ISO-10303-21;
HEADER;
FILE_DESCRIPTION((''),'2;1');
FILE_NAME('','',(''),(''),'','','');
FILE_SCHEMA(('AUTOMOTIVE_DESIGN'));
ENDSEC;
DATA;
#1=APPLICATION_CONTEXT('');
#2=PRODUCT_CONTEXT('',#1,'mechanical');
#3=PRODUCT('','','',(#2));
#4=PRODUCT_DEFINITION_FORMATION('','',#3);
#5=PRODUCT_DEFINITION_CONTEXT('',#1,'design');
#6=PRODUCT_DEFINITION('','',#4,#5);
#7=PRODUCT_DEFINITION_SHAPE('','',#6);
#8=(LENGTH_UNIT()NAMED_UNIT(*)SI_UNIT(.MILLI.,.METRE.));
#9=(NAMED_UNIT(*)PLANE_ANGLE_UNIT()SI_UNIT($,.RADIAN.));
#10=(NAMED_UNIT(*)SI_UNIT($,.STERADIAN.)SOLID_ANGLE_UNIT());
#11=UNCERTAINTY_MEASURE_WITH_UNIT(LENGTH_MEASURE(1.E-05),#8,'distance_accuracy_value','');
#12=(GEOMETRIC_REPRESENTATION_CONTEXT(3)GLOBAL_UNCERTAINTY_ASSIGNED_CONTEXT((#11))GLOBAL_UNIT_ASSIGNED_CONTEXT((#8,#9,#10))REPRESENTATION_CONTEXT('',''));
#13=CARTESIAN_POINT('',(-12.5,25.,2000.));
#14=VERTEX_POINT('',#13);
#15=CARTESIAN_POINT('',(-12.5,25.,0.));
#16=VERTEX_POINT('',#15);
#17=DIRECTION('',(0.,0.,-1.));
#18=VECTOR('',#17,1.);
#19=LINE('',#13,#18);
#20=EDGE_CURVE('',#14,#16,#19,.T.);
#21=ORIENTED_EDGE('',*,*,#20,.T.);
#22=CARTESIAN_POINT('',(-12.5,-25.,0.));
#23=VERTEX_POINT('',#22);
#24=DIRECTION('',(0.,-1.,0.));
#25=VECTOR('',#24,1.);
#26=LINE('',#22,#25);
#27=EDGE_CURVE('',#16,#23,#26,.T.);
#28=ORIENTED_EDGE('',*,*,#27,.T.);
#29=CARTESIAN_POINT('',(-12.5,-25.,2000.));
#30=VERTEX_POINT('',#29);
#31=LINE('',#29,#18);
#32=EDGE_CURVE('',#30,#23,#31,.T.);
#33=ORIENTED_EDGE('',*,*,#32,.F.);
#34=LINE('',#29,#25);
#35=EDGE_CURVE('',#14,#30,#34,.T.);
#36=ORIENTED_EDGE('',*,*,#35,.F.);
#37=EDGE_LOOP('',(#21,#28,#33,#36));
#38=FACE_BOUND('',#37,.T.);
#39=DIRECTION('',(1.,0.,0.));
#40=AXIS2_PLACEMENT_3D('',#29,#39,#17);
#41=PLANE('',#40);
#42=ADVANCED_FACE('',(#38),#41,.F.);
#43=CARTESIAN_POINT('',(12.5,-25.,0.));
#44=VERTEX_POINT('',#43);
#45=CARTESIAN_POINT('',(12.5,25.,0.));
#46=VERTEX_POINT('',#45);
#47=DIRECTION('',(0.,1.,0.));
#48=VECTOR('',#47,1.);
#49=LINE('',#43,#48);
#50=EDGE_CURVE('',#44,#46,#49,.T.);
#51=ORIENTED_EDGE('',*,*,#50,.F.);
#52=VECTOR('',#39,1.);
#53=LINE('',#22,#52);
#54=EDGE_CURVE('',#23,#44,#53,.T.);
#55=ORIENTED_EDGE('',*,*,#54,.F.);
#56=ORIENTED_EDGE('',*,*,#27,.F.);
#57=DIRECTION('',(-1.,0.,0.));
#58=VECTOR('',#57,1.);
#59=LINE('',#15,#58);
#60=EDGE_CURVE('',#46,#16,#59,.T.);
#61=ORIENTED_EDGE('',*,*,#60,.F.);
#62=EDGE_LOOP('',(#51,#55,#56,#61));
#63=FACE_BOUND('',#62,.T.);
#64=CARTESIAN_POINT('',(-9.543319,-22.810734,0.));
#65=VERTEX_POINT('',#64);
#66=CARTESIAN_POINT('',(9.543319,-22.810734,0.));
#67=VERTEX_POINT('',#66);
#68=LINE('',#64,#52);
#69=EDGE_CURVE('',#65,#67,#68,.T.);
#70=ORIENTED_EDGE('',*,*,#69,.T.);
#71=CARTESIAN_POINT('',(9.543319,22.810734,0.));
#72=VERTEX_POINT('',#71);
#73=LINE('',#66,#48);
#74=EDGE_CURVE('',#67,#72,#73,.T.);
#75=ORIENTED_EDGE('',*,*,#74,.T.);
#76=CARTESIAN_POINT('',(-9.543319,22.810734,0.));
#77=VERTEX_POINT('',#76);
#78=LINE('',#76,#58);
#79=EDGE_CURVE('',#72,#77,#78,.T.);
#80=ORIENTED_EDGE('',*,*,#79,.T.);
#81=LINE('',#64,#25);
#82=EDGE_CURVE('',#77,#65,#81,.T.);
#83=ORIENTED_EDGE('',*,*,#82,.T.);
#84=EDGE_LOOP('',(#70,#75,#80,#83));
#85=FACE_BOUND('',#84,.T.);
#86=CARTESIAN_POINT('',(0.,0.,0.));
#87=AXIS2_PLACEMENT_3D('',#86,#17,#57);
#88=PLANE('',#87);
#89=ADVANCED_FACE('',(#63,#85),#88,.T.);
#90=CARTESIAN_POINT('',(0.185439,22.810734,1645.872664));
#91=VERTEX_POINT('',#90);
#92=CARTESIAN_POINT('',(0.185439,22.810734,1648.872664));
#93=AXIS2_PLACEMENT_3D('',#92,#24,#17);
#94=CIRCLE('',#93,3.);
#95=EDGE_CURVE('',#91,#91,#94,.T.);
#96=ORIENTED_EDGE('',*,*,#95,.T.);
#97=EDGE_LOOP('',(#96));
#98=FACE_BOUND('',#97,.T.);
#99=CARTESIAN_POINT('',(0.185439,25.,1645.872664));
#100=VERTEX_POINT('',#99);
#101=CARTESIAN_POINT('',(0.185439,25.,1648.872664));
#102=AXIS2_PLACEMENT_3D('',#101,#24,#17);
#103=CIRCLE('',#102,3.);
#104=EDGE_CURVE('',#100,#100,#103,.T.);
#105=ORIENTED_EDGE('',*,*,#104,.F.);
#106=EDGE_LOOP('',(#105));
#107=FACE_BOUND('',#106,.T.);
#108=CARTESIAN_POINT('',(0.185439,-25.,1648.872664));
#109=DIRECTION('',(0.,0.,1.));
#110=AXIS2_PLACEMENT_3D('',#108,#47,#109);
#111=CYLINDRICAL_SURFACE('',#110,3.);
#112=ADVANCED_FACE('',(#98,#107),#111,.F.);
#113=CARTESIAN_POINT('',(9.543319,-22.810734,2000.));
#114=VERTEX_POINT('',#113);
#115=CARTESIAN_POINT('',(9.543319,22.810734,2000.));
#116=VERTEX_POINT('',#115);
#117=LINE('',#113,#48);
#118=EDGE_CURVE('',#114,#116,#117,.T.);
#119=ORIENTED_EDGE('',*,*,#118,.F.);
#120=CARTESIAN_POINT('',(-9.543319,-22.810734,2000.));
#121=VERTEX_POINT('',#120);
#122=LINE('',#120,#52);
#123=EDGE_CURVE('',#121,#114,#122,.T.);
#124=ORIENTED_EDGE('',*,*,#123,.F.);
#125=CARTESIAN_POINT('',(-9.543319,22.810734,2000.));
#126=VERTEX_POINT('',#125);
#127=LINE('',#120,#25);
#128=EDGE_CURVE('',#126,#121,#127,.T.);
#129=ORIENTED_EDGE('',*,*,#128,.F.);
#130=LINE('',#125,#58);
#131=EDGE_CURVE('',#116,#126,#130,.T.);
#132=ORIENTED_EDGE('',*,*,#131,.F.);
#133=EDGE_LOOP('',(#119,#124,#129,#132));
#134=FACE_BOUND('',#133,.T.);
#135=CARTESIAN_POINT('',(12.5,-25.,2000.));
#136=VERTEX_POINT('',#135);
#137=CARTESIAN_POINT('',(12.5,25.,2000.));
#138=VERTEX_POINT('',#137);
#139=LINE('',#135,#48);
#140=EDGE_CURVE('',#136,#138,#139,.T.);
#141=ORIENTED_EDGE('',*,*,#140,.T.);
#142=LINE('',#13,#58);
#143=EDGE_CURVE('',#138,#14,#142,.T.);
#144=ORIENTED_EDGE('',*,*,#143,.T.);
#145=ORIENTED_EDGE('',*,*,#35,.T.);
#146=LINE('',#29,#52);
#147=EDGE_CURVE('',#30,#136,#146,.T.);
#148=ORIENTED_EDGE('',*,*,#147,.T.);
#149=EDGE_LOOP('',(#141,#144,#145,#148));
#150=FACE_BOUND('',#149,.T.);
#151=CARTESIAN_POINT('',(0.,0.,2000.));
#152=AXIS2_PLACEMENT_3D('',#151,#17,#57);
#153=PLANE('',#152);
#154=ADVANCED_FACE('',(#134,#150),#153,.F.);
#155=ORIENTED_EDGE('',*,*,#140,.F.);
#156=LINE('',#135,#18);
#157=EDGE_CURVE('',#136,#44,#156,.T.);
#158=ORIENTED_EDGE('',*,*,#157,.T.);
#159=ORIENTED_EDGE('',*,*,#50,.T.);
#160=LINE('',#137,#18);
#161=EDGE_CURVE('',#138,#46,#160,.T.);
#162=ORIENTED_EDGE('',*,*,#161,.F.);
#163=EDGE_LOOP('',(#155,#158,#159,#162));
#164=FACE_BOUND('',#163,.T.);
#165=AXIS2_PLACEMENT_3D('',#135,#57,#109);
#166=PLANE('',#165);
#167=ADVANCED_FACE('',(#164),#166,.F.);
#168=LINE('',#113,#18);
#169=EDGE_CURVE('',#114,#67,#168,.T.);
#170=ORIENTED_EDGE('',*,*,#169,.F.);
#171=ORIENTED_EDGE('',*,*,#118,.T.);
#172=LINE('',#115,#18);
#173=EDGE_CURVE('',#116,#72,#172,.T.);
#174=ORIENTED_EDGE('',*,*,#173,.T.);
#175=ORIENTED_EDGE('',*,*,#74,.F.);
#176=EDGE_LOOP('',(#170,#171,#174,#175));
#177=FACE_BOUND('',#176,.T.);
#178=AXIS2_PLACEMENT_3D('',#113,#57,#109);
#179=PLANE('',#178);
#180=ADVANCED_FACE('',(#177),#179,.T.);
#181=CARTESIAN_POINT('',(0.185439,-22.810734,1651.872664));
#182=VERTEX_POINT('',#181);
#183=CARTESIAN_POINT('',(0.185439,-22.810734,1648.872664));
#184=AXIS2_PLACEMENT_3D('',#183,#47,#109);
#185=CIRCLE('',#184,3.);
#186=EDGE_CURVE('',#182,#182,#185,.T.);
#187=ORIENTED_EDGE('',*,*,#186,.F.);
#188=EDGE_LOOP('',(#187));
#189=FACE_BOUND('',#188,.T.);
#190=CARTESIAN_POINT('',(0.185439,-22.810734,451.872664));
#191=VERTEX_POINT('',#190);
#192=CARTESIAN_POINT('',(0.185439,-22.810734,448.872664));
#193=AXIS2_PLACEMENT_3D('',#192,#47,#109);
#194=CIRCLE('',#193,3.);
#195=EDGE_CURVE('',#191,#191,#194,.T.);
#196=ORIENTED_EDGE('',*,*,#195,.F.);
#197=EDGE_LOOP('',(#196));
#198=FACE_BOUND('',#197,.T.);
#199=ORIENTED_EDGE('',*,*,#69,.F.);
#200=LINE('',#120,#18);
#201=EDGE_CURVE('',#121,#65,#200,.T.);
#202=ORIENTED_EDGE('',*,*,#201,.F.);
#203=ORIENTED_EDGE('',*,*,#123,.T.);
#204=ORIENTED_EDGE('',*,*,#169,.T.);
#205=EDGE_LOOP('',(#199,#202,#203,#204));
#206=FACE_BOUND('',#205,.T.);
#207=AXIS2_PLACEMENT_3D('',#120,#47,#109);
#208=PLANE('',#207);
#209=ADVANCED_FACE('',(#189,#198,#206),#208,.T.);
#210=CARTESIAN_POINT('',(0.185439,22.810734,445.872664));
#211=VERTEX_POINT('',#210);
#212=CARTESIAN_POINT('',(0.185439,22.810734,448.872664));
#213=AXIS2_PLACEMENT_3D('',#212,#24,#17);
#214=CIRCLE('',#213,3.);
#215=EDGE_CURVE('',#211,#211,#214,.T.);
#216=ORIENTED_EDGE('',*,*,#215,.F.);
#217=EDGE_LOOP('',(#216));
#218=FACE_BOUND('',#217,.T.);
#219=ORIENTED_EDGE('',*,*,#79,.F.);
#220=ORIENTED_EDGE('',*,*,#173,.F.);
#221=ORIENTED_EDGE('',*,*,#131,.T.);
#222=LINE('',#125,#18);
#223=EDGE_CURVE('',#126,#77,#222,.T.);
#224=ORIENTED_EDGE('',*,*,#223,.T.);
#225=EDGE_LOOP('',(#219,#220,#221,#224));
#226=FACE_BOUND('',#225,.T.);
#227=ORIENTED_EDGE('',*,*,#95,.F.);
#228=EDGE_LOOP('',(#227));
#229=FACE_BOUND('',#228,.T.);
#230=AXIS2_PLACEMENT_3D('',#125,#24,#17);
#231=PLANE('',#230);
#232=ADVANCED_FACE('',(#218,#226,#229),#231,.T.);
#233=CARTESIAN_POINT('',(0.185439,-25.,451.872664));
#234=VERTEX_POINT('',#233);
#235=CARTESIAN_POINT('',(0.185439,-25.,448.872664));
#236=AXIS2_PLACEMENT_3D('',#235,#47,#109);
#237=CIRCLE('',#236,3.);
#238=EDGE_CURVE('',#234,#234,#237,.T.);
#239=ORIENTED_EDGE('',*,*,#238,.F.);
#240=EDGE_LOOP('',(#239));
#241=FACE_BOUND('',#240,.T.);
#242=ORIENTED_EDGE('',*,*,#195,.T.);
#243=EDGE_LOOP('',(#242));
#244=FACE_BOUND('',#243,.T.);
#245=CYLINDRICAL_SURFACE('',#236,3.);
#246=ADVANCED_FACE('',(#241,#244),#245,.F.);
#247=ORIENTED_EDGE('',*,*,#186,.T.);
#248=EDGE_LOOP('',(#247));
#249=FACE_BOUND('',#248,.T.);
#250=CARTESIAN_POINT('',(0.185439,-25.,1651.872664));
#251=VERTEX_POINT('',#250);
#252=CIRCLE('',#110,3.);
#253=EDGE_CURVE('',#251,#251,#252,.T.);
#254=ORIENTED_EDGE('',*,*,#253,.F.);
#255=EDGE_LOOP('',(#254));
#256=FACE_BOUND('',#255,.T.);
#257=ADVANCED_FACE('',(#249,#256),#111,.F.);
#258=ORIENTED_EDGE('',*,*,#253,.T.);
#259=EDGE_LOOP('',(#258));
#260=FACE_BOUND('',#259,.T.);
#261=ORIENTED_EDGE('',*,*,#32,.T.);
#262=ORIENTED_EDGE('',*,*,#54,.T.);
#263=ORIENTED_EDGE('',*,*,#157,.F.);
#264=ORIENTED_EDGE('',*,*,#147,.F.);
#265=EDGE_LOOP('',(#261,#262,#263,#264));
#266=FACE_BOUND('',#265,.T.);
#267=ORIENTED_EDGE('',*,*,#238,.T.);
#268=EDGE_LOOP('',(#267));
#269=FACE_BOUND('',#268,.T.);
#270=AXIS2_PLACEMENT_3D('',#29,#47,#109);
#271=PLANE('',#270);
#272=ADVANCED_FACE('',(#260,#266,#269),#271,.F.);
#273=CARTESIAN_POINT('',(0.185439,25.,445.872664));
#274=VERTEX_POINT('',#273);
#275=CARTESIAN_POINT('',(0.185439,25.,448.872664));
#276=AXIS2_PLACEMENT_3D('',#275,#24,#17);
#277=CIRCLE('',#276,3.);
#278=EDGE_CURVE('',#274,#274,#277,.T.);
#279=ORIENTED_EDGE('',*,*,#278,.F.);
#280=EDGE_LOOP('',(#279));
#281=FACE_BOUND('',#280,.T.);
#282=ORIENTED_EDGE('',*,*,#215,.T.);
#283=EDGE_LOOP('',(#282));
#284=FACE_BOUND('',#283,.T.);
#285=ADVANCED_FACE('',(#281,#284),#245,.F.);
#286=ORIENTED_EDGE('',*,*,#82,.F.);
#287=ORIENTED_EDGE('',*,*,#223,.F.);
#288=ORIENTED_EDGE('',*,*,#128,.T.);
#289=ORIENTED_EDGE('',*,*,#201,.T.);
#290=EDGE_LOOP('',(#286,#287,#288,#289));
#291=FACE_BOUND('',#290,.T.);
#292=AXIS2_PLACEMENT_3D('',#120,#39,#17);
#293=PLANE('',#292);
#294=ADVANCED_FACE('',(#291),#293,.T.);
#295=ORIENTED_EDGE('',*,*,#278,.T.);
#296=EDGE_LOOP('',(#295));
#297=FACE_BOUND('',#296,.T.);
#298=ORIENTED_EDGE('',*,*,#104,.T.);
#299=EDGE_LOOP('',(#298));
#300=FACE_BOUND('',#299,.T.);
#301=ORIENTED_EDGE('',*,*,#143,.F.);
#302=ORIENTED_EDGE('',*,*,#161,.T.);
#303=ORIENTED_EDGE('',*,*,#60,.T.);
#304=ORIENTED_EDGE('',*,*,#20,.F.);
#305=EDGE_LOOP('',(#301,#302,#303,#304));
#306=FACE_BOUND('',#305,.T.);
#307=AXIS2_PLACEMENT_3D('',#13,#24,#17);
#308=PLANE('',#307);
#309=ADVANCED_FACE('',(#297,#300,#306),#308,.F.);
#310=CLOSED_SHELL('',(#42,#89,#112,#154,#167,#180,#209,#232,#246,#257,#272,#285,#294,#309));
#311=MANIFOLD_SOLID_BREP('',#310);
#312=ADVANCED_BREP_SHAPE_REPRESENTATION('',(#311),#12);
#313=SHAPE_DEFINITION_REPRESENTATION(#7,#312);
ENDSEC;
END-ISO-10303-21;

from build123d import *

# Parameters (mm, degrees)
ESQUISSE1_W                  = 25
ESQUISSE1_H                  = 50
ESQUISSE1_W_2                = 19.086637974
ESQUISSE1_H_2                = 45.621468926
BOSS_EXTRU_1_DEPTH           = 2000
ESQUISSE2_R                  = 3
ENL_V_MAT_EXTRU_1_DEPTH      = 1
ENL_V_MAT_EXTRU_1_DEPTH_BACK = 51
ESQUISSE3_R                  = 3
ENL_V_MAT_EXTRU_2_DEPTH      = 1
ENL_V_MAT_EXTRU_2_DEPTH_BACK = 51


with BuildPart() as part:
    # Esquisse1 → Boss.-Extru.1 (new body)
    with BuildSketch(Plane.XY):
        Rectangle(ESQUISSE1_W, ESQUISSE1_H)
        Rectangle(ESQUISSE1_W_2, ESQUISSE1_H_2, mode=Mode.SUBTRACT)
    extrude(amount=BOSS_EXTRU_1_DEPTH)

    # Esquisse2 → Enlèv. mat.-Extru.1 (cut, two sides)
    with BuildSketch(Plane(origin=(0, 25, 0), x_dir=(1, 0, 0), z_dir=(0, 1, 0))) as enl_v_mat_extru_1_sk:
        with Locations((0.185438708, -1648.872663575)):
            Circle(ESQUISSE2_R)
    extrude(amount=ENL_V_MAT_EXTRU_1_DEPTH, mode=Mode.SUBTRACT)
    extrude(enl_v_mat_extru_1_sk.sketch, amount=-ENL_V_MAT_EXTRU_1_DEPTH_BACK, mode=Mode.SUBTRACT)

    # Esquisse3 → Enlèv. mat.-Extru.2 (cut, two sides)
    with BuildSketch(Plane(origin=(0, 25, 0), x_dir=(1, 0, 0), z_dir=(0, 1, 0))) as enl_v_mat_extru_2_sk:
        with Locations((0.185438708, -448.872663575)):
            Circle(ESQUISSE3_R)
    extrude(amount=ENL_V_MAT_EXTRU_2_DEPTH, mode=Mode.SUBTRACT)
    extrude(enl_v_mat_extru_2_sk.sketch, amount=-ENL_V_MAT_EXTRU_2_DEPTH_BACK, mode=Mode.SUBTRACT)


solid = part.part
